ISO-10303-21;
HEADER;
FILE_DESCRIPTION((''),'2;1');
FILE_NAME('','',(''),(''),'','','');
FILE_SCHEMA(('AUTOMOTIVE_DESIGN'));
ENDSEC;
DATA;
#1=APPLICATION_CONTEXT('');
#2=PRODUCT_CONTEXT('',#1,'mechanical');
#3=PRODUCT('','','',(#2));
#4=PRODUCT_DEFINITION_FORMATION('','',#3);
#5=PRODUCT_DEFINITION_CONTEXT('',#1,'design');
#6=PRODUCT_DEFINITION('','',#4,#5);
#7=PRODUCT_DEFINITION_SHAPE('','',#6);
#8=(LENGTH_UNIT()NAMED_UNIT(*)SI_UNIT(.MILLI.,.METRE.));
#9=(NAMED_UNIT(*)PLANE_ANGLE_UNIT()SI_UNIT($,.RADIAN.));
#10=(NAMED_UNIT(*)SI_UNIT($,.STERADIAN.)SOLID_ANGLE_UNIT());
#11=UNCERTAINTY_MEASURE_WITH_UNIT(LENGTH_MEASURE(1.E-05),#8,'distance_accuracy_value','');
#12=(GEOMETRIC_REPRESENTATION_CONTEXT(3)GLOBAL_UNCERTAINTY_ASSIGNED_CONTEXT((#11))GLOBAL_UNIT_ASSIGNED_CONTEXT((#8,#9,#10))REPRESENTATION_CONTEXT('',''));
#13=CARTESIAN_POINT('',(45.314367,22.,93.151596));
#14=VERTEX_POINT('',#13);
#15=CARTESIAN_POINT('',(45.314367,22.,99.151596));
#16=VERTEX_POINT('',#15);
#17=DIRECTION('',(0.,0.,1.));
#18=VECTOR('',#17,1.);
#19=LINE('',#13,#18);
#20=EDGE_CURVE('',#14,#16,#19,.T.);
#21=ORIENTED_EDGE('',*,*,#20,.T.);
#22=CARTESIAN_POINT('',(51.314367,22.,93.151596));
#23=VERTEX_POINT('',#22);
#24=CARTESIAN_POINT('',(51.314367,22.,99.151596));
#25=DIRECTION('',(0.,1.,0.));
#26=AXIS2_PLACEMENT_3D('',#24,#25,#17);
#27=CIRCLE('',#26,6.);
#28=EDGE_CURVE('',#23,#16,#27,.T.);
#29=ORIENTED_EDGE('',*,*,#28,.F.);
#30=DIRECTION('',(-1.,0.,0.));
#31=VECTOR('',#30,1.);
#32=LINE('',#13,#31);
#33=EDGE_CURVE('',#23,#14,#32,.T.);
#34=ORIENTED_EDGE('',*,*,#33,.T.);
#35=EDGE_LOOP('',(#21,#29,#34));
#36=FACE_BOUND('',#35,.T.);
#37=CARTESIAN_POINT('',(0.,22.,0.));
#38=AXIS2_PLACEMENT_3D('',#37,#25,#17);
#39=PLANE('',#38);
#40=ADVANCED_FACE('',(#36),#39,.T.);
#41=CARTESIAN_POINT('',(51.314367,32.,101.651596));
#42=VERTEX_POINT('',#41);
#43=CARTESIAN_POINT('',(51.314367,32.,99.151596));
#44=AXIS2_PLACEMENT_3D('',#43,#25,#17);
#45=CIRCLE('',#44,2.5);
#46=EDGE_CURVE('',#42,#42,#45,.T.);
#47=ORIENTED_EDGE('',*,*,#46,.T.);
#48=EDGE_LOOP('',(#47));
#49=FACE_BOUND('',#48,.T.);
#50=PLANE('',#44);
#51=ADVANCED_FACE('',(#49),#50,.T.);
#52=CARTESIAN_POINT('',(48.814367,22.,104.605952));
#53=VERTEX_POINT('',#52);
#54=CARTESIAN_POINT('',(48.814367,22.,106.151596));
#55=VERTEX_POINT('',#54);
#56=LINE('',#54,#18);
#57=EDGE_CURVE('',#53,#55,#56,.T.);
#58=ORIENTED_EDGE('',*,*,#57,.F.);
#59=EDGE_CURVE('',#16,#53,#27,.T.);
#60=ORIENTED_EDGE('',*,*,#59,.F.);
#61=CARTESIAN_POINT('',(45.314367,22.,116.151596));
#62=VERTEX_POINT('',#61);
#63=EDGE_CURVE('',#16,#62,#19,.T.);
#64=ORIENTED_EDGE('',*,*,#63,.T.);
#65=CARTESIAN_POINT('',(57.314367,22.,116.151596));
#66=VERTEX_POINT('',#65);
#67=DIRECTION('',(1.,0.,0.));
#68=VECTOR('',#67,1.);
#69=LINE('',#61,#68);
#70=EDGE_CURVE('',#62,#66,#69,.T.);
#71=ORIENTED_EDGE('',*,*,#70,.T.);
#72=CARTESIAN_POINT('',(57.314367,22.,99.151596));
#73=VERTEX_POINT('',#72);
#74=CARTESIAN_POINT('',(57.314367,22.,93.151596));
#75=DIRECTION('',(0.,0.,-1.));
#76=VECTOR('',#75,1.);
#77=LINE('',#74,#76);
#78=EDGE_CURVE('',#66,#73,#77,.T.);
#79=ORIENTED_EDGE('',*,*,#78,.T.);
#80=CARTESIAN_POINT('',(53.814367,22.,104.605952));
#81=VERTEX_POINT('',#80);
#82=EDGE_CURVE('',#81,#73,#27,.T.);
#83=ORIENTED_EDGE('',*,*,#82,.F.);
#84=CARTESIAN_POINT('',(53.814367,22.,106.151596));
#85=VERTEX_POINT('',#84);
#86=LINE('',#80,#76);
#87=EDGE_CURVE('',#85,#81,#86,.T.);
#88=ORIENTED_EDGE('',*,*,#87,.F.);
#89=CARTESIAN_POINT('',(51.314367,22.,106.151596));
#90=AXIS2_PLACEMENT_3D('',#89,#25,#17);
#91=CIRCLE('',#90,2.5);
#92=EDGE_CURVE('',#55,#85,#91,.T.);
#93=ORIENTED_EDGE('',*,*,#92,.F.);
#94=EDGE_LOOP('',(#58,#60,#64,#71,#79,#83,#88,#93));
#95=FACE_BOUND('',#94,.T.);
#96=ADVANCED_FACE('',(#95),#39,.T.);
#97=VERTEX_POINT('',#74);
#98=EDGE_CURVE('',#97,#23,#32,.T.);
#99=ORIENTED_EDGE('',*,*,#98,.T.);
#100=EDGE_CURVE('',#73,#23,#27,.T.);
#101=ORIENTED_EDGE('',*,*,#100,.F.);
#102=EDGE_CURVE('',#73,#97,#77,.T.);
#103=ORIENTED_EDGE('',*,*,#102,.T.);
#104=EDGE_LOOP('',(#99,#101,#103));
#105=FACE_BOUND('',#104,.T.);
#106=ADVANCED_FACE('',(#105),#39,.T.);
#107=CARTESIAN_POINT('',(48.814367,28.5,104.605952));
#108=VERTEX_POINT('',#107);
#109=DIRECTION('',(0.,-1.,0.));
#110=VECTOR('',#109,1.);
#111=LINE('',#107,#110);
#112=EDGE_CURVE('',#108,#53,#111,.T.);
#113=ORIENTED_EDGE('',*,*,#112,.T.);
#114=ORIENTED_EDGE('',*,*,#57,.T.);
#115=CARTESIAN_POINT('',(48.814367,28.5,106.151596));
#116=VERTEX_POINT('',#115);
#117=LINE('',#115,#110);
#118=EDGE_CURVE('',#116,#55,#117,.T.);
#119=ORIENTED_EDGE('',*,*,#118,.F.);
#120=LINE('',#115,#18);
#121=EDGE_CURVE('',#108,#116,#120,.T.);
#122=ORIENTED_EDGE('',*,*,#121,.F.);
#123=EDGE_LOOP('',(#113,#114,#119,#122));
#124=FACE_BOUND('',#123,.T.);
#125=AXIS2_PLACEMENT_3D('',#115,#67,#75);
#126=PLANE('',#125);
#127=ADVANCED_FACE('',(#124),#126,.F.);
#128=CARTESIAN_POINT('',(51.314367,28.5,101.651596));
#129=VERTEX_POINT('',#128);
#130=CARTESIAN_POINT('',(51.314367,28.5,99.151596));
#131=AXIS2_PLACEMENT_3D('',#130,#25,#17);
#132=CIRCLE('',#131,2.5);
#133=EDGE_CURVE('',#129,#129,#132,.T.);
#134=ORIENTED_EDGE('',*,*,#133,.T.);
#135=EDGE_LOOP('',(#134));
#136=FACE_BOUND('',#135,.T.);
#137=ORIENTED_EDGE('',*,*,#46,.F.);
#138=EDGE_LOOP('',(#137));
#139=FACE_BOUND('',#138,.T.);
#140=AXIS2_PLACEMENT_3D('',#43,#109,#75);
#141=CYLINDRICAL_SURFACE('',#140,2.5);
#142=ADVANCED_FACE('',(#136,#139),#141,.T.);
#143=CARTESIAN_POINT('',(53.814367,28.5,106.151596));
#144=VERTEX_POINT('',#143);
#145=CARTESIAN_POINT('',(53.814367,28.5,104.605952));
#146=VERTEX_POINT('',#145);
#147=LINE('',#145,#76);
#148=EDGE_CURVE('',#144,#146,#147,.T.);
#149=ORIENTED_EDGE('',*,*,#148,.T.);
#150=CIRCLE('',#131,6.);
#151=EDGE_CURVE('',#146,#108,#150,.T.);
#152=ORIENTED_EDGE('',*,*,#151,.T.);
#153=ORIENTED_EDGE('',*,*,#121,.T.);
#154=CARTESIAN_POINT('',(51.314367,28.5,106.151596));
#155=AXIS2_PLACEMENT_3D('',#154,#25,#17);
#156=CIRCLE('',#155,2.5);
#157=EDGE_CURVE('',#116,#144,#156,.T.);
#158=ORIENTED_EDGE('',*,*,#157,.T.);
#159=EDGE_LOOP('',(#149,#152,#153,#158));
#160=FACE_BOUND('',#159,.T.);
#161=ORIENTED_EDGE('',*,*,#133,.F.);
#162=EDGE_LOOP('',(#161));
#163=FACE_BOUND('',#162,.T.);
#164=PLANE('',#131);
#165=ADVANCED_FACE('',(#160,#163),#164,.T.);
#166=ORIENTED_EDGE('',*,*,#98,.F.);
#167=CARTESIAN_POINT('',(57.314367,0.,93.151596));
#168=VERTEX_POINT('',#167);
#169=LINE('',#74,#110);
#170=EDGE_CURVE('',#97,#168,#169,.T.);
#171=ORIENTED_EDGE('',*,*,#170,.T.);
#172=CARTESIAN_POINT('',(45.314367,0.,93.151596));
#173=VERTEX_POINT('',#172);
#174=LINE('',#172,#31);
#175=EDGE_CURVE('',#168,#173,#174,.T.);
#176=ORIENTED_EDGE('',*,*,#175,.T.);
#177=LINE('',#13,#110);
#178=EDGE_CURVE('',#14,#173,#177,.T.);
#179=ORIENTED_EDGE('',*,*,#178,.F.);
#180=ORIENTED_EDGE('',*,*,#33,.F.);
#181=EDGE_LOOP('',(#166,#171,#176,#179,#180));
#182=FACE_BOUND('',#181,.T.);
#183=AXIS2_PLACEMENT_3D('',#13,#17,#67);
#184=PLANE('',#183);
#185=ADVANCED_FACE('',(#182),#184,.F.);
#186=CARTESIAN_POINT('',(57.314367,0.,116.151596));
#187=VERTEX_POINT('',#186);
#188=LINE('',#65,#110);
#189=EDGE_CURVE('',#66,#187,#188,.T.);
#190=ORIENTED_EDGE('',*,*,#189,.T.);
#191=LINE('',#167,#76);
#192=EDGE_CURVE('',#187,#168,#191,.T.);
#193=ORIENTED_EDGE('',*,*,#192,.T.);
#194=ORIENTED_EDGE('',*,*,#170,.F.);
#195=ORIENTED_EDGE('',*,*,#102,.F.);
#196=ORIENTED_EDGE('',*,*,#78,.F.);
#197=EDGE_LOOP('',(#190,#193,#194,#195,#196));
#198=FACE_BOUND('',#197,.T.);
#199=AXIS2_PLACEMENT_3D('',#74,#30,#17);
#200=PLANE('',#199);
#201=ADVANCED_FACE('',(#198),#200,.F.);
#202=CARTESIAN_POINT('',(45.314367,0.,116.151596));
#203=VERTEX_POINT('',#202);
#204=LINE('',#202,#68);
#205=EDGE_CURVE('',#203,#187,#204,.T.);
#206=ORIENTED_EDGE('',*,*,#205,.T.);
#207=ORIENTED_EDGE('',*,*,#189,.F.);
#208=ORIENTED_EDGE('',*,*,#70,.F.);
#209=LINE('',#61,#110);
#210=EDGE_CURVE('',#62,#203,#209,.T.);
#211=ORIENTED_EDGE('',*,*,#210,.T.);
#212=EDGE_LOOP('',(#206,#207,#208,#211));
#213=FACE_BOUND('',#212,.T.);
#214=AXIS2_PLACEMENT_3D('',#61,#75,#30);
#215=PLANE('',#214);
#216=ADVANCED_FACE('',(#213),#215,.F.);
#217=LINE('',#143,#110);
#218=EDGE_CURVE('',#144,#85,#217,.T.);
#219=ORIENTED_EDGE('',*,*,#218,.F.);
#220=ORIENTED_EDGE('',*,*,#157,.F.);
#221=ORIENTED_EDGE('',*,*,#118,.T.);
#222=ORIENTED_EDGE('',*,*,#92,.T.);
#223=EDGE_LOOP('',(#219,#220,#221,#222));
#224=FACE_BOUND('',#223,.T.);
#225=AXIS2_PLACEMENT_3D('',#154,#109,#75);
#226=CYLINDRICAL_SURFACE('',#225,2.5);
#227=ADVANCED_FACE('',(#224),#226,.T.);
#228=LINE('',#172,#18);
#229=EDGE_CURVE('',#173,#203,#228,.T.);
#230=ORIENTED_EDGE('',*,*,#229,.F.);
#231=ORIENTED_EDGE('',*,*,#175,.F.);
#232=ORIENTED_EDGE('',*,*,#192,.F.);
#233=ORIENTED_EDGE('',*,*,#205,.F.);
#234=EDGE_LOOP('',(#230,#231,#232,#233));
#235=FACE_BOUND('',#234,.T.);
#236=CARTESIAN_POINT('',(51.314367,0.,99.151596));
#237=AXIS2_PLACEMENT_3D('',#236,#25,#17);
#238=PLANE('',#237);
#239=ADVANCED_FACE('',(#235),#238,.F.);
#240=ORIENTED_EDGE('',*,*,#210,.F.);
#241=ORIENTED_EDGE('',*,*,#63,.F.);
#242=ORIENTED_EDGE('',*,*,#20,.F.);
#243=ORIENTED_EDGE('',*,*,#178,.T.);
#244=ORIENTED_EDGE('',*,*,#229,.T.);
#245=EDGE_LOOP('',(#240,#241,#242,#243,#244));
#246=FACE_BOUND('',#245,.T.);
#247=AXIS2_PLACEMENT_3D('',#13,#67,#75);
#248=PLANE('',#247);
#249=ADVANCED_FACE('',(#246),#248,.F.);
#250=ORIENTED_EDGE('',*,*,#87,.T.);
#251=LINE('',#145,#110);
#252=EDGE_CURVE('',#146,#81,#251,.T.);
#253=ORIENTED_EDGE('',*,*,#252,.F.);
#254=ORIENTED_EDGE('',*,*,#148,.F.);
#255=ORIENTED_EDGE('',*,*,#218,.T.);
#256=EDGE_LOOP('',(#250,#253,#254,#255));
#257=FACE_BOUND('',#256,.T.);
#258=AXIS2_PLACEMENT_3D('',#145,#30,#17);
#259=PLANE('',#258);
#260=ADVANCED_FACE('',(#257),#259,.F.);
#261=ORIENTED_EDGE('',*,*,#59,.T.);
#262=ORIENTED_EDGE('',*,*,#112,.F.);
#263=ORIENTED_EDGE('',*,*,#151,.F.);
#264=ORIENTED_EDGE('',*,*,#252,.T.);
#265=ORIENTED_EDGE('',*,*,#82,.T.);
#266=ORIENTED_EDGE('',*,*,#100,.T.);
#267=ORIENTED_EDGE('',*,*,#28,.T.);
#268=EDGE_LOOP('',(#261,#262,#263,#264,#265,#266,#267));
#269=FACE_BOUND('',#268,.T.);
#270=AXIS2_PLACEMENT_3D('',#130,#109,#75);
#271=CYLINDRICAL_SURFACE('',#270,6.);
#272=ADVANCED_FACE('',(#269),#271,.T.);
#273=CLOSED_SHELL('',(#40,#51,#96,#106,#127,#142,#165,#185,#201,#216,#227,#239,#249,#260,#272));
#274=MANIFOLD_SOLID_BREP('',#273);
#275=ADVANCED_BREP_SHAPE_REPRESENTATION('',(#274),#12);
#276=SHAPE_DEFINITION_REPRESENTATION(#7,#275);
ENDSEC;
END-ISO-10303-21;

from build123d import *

# Parameters (mm, degrees)
SKETCH4_R           = 2.5
BOSS_EXTRUDE2_DEPTH = 32
BOSS_EXTRUDE3_DEPTH = 28.5
SKETCH1_W           = 12
SKETCH1_H           = 23
BOSS_EXTRUDE4_DEPTH = 22


with BuildPart() as part:
    # Sketch4 → Boss-Extrude2 (new body)
    with BuildSketch(Plane(origin=(0, 0, 0), x_dir=(1, 0, 0), z_dir=(0, 1, 0))):
        with Locations((51.314367453, -99.151596437)):
            Circle(SKETCH4_R)
    extrude(amount=BOSS_EXTRUDE2_DEPTH)

    # Sketch3 → Boss-Extrude3 (add)
    with BuildSketch(Plane(origin=(0, 0, 0), x_dir=(1, 0, 0), z_dir=(0, 1, 0))):
        with BuildLine():
            Line((48.814367453, -106.151596437), (48.814367453, -104.605952495))
            ThreePointArc((48.814367453, -104.605952495), (51.314367453, -93.151596437), (53.814367453, -104.605952495))
            Line((53.814367453, -104.605952495), (53.814367453, -106.151596437))
            ThreePointArc((53.814367453, -106.151596437), (51.314367453, -108.651596437), (48.814367453, -106.151596437))
        make_face()
    extrude(amount=BOSS_EXTRUDE3_DEPTH)

    # Sketch1 → Boss-Extrude4 (add)
    with BuildSketch(Plane(origin=(0, 0, 0), x_dir=(1, 0, 0), z_dir=(0, 1, 0))):
        with Locations((51.314367453, -104.651596437)):
            Rectangle(SKETCH1_W, SKETCH1_H)
    extrude(amount=BOSS_EXTRUDE4_DEPTH)


solid = part.part
